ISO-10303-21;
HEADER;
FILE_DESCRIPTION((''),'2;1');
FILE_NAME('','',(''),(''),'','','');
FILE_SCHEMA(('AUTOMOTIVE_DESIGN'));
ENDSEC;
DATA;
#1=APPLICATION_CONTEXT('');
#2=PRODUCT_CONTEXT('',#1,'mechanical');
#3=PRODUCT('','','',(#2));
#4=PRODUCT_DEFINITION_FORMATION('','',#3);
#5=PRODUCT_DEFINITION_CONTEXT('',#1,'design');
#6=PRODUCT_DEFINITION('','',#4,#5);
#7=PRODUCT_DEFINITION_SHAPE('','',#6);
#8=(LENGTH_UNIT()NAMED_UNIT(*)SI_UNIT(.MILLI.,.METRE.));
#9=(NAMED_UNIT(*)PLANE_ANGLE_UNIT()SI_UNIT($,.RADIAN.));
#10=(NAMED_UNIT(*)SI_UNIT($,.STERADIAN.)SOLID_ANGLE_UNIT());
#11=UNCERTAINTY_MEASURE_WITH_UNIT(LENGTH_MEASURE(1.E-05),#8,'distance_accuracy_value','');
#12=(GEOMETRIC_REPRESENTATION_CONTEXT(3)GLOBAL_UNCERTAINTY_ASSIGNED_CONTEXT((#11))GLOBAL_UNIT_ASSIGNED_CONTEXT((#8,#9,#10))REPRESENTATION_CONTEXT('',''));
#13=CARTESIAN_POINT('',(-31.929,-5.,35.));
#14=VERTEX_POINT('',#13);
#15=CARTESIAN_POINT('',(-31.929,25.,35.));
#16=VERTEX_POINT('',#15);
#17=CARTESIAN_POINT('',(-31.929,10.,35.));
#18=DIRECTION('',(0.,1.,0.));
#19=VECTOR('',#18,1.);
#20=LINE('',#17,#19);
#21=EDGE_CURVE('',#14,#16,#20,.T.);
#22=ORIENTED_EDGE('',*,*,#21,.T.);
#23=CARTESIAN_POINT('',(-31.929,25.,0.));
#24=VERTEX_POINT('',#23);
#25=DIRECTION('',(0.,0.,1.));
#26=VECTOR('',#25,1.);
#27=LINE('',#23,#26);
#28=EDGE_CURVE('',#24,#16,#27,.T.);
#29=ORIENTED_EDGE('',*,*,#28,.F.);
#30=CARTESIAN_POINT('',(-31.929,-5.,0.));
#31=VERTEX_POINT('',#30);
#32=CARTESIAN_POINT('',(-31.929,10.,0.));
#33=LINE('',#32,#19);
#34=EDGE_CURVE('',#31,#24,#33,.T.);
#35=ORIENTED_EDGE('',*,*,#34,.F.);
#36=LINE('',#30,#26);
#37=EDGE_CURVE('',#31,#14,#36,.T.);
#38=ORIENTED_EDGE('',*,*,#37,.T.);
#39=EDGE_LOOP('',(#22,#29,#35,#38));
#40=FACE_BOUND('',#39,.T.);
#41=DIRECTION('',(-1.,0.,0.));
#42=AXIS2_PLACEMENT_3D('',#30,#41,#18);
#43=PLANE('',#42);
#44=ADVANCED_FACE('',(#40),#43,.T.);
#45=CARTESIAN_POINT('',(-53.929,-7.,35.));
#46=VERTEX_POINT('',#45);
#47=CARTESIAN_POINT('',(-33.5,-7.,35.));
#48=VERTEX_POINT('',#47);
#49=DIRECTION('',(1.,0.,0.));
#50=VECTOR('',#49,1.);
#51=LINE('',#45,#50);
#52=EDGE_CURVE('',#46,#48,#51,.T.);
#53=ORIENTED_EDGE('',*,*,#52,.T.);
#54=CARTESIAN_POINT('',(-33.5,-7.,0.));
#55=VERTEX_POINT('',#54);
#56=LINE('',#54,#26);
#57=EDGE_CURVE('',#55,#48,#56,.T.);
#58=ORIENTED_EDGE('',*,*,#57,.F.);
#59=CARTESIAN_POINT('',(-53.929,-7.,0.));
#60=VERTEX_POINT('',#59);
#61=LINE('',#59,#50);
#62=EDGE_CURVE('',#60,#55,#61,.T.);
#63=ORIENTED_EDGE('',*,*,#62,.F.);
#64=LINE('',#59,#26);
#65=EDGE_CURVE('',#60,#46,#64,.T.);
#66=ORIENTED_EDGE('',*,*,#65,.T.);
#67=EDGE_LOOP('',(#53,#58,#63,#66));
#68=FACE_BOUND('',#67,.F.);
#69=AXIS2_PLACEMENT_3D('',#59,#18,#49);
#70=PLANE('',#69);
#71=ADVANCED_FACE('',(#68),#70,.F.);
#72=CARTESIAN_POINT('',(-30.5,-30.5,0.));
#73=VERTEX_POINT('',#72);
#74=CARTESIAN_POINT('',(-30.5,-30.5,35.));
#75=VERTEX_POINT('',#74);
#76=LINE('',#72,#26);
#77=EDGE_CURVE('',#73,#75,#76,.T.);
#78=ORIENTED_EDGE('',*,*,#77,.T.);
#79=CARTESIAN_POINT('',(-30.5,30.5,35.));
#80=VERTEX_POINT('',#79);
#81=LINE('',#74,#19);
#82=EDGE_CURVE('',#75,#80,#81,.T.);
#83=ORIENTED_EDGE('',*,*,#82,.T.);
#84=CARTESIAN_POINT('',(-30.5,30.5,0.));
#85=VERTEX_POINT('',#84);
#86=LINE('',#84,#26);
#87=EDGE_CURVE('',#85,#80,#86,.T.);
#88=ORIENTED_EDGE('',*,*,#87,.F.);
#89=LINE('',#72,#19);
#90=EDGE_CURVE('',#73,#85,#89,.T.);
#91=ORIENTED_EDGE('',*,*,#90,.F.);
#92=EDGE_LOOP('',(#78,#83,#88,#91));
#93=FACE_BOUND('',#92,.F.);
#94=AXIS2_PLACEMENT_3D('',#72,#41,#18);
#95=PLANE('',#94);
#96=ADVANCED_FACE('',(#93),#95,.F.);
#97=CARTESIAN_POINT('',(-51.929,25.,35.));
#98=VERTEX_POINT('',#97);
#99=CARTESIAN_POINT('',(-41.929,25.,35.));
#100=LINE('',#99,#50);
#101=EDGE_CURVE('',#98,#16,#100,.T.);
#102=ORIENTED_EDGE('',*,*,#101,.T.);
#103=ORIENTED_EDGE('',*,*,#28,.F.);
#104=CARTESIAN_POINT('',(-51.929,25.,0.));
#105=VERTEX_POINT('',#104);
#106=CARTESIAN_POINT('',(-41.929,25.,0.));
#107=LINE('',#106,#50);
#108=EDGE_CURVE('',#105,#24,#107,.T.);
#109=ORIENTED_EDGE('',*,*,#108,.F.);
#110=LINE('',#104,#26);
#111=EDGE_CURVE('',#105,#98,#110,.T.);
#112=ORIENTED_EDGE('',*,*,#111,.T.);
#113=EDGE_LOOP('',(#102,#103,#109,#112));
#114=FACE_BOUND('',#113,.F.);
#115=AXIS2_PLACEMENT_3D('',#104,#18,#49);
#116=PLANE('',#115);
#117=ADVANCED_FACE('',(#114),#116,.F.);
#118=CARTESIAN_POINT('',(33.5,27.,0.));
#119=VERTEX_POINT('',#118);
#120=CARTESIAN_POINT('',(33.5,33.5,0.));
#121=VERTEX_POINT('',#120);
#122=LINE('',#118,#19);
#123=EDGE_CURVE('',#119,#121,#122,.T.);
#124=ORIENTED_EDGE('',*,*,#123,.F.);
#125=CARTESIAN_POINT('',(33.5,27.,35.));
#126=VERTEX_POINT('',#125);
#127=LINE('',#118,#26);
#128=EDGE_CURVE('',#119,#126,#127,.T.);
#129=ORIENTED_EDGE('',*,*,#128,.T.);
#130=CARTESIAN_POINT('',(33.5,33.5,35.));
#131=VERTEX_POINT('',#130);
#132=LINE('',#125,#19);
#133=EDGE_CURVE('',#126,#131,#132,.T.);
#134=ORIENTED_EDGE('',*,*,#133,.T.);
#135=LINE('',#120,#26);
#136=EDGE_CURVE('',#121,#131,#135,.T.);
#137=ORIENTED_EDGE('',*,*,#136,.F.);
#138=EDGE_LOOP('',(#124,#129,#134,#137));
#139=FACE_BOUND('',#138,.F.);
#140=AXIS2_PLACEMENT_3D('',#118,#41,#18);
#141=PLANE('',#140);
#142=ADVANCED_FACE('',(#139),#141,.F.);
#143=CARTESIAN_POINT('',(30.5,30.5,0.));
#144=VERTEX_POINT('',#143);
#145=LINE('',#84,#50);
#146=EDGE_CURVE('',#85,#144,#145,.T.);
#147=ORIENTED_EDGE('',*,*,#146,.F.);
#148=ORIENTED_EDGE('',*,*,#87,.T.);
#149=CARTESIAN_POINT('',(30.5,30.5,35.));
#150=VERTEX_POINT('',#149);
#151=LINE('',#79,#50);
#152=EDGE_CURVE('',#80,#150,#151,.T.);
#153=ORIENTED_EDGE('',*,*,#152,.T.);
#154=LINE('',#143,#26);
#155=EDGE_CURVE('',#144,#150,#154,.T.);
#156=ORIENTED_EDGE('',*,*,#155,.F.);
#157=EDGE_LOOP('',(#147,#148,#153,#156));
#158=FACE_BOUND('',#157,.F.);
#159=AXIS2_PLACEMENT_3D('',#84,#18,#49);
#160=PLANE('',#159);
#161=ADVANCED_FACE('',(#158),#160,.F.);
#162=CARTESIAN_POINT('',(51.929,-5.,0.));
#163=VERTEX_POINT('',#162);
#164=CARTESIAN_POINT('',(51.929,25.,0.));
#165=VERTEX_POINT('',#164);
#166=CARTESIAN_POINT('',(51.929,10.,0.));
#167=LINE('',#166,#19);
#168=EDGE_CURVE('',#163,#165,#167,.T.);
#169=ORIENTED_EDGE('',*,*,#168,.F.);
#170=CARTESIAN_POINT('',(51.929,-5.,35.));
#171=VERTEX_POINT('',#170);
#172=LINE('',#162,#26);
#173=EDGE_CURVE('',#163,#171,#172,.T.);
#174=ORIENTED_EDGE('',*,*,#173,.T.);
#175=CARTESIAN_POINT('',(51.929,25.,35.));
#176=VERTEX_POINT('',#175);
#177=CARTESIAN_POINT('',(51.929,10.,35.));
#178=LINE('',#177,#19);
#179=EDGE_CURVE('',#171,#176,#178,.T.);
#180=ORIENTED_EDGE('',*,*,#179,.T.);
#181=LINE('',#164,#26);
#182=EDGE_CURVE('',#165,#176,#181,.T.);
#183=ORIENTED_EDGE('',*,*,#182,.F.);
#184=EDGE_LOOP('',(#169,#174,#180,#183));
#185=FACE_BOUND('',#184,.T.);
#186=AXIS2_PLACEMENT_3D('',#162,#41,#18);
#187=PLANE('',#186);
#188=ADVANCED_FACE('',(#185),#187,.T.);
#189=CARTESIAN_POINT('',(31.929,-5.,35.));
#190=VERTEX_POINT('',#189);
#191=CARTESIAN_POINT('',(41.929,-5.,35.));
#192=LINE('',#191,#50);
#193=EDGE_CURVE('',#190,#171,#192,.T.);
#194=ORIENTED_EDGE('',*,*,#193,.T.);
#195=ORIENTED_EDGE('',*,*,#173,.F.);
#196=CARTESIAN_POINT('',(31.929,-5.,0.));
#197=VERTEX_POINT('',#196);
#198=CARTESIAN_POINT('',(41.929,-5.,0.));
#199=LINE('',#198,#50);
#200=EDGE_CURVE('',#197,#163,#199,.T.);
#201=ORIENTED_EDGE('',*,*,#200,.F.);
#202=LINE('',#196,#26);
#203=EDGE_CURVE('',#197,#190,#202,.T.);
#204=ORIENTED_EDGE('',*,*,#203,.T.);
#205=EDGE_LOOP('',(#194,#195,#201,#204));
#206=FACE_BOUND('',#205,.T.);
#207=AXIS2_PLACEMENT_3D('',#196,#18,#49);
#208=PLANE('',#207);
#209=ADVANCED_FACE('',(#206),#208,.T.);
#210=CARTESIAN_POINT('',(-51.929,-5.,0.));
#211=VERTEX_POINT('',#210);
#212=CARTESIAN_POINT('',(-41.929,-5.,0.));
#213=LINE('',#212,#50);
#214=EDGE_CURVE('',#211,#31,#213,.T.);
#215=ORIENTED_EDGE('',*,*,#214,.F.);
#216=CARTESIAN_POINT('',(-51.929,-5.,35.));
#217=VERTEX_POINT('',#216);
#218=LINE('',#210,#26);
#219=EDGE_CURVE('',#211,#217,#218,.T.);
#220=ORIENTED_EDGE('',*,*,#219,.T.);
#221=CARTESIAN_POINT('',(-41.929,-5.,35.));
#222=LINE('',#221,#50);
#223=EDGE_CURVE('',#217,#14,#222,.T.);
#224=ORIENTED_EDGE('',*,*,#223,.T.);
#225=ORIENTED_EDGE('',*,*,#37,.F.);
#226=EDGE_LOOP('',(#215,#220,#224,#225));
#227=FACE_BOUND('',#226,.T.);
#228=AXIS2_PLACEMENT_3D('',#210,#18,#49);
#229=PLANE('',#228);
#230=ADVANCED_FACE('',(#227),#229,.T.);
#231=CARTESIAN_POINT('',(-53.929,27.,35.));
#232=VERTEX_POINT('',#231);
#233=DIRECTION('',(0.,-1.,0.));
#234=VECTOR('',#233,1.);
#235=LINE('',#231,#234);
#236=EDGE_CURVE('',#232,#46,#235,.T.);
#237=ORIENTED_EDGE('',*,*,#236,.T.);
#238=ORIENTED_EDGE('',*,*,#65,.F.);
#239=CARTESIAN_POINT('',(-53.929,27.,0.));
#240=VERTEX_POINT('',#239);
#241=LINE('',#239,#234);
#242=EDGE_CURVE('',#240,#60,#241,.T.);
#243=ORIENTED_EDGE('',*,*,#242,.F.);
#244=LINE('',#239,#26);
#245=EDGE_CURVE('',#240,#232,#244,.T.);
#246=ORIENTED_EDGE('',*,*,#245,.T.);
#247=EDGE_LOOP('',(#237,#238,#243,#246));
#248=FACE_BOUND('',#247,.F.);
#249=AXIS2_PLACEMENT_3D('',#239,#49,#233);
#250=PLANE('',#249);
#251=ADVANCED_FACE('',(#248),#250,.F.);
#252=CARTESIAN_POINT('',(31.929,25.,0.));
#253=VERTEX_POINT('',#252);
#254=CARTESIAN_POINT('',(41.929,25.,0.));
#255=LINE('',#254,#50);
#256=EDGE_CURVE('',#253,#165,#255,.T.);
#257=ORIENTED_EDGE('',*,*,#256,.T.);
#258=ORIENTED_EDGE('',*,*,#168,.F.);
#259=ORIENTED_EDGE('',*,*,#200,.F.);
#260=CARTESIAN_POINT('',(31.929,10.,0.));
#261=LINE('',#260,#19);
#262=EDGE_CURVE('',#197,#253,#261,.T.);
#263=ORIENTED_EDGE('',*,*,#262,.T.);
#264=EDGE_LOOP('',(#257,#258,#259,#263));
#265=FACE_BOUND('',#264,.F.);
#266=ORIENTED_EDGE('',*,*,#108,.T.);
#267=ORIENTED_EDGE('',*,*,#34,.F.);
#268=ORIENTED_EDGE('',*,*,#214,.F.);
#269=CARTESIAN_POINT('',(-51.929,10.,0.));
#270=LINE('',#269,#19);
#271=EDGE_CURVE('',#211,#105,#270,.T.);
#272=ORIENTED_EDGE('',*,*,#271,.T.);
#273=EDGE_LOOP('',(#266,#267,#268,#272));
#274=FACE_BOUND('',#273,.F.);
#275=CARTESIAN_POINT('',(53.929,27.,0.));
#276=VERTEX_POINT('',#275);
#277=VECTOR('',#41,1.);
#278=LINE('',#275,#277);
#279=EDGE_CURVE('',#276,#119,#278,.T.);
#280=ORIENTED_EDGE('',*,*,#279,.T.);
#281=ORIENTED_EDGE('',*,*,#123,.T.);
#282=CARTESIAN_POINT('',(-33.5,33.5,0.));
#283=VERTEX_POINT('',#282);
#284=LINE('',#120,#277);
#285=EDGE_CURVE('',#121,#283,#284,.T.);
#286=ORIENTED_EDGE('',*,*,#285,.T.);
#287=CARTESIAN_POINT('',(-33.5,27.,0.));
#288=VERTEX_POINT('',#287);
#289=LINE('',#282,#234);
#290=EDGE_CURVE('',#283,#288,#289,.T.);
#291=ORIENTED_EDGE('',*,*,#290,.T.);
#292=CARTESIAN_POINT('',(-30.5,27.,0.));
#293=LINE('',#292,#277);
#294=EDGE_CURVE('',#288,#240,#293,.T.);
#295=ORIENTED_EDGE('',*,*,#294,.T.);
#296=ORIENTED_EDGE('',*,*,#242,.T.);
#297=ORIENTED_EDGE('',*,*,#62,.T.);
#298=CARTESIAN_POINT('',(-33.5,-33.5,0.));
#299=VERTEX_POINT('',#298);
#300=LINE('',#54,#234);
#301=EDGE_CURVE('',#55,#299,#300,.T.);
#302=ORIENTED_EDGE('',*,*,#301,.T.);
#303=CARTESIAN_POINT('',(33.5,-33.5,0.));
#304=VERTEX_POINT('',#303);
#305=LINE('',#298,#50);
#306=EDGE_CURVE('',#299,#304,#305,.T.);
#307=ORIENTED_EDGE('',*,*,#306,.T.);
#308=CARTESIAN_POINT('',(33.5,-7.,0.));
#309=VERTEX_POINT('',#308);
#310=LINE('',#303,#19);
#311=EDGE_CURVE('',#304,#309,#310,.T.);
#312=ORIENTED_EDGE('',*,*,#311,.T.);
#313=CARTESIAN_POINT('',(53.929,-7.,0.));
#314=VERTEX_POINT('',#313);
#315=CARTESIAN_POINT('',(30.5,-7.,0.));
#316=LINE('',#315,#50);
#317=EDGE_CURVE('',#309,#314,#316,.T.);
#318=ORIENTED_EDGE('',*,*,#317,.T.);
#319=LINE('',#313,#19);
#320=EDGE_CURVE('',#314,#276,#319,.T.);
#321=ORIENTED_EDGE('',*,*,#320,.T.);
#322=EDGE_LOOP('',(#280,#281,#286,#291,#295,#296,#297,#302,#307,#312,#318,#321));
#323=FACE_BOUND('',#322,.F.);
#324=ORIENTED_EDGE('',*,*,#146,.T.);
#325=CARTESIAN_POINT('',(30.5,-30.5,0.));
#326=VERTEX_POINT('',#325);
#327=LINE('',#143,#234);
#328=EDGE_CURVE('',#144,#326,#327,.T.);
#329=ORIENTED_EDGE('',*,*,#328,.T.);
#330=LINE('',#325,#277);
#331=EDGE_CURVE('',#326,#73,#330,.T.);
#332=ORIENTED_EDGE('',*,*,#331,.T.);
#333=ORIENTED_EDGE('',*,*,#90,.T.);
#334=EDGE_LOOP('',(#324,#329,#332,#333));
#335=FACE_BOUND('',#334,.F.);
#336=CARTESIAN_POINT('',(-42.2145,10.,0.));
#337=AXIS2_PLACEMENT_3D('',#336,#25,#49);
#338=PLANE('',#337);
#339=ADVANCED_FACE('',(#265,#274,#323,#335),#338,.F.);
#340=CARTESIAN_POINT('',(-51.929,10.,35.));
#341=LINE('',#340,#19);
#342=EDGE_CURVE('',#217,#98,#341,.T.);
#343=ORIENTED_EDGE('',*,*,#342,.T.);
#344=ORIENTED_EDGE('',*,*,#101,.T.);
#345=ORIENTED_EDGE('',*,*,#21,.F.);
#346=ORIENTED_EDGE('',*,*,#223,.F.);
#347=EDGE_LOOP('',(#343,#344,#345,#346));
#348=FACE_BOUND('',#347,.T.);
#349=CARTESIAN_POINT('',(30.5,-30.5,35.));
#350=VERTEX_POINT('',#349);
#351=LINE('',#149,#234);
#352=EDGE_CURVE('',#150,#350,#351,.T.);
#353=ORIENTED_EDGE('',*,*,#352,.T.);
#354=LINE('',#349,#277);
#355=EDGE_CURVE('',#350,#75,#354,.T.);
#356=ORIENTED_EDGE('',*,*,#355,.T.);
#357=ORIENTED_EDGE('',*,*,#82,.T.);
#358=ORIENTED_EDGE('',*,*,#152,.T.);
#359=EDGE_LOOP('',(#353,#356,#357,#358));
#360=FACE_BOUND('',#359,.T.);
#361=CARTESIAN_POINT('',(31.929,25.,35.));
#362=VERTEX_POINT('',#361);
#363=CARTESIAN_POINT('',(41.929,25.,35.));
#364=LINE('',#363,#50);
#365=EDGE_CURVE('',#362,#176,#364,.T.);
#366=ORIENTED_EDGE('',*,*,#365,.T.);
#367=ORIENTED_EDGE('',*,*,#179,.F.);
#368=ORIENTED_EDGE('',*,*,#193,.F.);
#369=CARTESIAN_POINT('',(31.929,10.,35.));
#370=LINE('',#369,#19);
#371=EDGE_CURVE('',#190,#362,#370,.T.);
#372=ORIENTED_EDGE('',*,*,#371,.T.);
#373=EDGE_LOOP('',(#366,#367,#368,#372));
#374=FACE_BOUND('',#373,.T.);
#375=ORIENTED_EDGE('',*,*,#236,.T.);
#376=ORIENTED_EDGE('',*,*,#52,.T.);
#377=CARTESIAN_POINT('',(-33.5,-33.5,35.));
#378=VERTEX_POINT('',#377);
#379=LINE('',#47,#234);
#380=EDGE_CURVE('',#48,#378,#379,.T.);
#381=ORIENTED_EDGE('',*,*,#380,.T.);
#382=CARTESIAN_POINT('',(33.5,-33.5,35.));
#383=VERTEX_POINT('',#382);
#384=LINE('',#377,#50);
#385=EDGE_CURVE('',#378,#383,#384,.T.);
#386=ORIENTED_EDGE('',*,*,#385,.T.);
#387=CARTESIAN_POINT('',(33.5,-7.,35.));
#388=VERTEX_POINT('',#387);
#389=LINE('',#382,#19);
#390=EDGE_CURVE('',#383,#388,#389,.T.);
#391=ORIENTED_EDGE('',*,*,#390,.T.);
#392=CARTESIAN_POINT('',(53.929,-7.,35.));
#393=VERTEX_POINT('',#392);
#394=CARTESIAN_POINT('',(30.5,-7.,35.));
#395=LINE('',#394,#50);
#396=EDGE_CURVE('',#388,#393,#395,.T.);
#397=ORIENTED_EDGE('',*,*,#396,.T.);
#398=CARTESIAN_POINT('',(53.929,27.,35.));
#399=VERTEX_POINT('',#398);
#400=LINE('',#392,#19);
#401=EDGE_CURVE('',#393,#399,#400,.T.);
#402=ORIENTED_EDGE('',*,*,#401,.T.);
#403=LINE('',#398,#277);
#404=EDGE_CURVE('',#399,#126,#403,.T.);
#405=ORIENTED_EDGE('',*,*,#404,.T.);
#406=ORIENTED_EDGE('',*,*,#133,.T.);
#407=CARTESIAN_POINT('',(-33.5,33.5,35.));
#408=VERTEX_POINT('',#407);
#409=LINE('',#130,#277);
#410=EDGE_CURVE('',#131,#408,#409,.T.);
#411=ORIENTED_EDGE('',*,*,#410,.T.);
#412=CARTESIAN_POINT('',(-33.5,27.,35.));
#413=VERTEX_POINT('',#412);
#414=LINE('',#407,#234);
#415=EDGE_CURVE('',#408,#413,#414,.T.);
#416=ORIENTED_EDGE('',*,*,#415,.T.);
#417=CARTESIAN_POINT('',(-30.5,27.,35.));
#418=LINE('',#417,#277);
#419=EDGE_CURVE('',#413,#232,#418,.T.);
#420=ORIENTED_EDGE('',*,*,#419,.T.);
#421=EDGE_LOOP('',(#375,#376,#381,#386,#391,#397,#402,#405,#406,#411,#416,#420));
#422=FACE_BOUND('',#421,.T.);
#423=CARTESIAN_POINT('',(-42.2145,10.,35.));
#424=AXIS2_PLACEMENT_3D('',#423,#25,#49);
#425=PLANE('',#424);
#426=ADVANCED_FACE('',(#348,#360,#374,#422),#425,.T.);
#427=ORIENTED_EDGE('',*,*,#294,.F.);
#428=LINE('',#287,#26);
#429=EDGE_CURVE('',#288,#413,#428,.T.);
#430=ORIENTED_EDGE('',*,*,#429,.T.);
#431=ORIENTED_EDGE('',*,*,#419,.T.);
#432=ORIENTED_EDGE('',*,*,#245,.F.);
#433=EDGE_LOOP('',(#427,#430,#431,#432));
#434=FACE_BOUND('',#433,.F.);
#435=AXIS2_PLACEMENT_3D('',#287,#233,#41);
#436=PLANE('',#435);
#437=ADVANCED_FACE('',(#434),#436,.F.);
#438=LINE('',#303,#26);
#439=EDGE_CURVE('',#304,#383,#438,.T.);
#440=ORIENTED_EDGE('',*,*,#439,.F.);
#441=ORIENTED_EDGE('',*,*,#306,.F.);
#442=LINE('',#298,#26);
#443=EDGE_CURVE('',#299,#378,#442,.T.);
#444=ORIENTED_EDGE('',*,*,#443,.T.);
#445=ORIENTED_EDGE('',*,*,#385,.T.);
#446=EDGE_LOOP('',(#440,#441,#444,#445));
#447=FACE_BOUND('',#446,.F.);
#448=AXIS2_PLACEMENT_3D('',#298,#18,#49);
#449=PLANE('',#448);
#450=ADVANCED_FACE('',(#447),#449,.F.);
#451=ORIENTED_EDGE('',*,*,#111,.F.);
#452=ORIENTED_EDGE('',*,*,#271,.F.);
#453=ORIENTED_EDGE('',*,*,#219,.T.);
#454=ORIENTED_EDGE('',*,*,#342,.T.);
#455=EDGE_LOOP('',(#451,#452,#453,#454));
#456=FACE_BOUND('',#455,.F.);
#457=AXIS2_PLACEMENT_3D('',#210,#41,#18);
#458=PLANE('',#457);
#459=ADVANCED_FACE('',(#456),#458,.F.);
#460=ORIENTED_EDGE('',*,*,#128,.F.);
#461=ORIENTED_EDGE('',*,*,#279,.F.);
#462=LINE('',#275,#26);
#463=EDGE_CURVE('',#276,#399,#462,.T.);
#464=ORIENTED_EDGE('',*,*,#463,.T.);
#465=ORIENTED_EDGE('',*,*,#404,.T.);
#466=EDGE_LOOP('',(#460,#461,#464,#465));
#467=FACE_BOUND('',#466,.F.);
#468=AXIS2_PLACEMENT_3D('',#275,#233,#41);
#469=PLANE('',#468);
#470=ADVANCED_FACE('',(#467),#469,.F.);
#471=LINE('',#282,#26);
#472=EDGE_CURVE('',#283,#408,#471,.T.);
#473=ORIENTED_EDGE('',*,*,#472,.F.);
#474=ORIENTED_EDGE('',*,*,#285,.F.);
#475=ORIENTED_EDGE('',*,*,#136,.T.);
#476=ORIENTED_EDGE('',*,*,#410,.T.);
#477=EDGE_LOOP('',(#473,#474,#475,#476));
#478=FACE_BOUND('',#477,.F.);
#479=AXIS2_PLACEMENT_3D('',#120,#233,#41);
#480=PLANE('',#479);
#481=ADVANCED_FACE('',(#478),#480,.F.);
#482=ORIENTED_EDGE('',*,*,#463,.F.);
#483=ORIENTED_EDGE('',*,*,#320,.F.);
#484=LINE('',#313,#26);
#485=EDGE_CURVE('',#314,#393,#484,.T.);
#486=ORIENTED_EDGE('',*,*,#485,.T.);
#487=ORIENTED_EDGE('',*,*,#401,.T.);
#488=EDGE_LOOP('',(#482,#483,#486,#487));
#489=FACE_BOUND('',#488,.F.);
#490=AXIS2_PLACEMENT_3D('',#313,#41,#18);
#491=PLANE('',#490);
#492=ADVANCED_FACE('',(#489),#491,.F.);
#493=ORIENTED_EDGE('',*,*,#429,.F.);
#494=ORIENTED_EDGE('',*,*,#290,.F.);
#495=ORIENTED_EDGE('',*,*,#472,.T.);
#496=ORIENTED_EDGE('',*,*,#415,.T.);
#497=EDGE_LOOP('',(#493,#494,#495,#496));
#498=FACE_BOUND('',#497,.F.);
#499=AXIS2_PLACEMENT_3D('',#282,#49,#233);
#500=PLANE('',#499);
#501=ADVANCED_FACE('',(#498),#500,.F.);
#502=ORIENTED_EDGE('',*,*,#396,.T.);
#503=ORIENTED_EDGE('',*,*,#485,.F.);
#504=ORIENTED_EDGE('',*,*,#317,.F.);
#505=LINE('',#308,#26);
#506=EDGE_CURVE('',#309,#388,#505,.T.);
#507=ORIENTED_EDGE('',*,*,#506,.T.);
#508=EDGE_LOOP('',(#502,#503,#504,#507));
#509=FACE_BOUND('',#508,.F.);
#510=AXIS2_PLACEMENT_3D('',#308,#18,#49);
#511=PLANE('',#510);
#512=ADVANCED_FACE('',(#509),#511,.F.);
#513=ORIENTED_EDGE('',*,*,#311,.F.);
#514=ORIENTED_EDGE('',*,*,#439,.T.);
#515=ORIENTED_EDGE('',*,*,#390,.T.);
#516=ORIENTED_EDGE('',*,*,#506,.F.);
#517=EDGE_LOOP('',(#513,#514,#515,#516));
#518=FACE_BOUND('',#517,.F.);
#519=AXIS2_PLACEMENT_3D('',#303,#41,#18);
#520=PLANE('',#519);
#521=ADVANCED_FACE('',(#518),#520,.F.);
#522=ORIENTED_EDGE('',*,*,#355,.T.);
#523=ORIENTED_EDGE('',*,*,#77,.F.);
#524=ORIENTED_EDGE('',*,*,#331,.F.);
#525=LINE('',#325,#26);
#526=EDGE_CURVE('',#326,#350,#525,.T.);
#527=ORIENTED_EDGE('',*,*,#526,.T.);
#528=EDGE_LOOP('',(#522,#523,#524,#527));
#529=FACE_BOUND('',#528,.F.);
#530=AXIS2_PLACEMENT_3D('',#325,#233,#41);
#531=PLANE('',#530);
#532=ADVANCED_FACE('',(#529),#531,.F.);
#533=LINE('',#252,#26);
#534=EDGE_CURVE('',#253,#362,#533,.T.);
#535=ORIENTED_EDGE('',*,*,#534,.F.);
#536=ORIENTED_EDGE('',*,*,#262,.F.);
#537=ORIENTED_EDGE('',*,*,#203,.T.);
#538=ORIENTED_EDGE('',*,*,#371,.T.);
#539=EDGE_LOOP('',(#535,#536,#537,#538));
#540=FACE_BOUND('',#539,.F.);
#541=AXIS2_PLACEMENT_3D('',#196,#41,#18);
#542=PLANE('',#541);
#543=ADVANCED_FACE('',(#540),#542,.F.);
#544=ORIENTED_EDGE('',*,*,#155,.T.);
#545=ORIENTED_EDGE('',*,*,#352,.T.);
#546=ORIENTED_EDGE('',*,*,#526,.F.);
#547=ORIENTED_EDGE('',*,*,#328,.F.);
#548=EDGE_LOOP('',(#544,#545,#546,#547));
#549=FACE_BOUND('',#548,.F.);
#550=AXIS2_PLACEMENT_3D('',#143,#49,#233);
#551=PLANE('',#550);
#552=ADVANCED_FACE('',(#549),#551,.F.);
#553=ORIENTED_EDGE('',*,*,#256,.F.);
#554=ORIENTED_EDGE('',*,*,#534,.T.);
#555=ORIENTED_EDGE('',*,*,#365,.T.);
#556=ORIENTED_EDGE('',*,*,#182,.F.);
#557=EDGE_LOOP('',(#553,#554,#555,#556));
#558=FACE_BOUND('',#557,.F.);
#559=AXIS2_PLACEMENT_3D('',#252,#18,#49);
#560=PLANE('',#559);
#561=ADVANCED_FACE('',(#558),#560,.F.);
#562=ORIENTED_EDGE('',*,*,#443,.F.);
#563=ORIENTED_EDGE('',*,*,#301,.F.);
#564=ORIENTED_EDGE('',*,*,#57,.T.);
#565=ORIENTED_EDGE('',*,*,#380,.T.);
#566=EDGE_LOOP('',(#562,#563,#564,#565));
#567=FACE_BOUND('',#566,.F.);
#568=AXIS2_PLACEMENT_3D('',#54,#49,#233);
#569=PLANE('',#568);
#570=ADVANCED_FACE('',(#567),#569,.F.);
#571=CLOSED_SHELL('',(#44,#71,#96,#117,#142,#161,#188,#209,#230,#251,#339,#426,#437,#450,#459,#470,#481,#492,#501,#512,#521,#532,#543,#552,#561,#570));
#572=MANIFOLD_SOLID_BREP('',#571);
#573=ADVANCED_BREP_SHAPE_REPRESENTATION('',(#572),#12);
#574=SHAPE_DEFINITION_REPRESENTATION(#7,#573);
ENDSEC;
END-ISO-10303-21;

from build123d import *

# Parameters (mm, degrees)
F0_W     = 20
F0_H     = 30
F1_DEPTH = 35


with BuildPart() as f1:
    # F0 (on Top) → F1 (new body)
    with BuildSketch(Plane.XY):
        Polygon((-33.5, -7), (-30.5, -7), (-30.5, 27), (-33.5, 27), (-53.929, 27), (-53.929, -7), align=None)
        with Locations((-41.929, 10)):
            Rectangle(F0_W, F0_H, mode=Mode.SUBTRACT)
        Polygon((30.5, 30.5), (30.5, 27), (33.5, 27), (33.5, 33.5), (-33.5, 33.5), (-33.5, 27), (-30.5, 27), (-30.5, 30.5), align=None)
        Polygon((30.5, 27), (30.5, -7), (33.5, -7), (53.929, -7), (53.929, 27), (33.5, 27), align=None)
        with Locations((41.929, 10)):
            Rectangle(F0_W, F0_H, mode=Mode.SUBTRACT)
        Polygon((30.5, -7), (30.5, -30.5), (-30.5, -30.5), (-30.5, -7), (-33.5, -7), (-33.5, -33.5), (33.5, -33.5), (33.5, -7), align=None)
    extrude(amount=F1_DEPTH)


solid = f1.part
